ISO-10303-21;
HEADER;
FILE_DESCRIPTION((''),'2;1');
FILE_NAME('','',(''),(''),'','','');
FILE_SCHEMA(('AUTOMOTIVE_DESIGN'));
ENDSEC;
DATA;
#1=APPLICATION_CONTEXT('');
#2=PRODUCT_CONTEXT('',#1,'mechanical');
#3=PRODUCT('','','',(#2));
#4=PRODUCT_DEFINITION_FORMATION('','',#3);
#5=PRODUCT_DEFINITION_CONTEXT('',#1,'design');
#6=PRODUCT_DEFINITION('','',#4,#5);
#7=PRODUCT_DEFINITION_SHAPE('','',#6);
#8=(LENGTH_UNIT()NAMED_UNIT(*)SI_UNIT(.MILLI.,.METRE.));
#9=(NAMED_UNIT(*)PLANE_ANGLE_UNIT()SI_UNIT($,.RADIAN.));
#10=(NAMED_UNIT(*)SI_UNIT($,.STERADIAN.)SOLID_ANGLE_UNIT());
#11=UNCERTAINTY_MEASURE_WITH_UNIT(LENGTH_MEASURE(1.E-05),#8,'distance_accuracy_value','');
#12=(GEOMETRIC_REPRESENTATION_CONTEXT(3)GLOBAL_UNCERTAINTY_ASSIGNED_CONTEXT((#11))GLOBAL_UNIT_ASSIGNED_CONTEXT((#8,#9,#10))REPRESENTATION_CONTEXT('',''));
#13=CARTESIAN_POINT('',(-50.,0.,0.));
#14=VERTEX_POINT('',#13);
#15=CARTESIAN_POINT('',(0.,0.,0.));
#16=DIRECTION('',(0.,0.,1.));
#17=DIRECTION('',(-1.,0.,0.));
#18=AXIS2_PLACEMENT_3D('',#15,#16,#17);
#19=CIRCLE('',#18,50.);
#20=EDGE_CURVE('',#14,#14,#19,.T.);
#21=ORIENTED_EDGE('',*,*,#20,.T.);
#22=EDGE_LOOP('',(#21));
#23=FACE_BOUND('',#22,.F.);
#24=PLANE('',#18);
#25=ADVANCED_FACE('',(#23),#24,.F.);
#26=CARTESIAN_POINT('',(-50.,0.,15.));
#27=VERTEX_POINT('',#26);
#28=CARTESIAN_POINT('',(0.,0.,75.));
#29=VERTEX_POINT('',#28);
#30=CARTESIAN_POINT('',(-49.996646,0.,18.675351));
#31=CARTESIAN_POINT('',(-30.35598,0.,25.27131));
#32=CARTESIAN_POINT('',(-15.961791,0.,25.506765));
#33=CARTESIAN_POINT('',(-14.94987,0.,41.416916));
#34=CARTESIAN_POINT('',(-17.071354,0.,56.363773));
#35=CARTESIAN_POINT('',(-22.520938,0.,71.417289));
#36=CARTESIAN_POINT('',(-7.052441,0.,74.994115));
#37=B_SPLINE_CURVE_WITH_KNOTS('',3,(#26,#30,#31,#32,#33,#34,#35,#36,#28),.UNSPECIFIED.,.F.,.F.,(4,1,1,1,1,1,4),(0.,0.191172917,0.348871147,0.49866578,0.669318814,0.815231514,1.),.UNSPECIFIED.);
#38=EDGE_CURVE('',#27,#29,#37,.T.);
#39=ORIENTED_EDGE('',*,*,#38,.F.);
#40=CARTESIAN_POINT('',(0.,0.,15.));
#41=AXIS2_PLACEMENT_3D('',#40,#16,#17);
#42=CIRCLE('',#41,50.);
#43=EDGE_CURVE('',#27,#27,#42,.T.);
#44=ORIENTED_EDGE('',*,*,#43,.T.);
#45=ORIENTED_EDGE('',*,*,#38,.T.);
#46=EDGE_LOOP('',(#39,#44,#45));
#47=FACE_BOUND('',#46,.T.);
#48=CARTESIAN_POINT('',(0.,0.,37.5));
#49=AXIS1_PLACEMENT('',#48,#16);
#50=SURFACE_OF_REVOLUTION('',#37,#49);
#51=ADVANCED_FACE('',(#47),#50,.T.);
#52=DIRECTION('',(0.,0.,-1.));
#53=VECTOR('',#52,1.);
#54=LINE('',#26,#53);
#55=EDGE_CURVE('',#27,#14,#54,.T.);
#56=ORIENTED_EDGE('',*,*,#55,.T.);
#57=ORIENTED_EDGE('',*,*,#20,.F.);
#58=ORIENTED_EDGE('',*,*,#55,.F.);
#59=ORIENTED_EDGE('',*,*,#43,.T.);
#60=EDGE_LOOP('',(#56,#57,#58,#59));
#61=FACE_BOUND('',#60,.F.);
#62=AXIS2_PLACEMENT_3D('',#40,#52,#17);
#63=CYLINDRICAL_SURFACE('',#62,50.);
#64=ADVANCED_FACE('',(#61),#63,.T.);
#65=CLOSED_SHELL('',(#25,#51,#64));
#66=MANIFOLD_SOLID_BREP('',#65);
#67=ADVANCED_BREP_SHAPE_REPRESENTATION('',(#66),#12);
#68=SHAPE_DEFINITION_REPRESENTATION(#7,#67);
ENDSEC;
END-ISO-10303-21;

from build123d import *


with BuildPart() as f1:
    # F0 (on Front) → F1 (revolve)
    with BuildSketch(Plane.XZ):
        with BuildLine():
            Line((-50, 0), (0, 0))
            Line((0, 0), (0, 75))
            add(Edge.make_bspline(
                [(-50, 15), (-49.9966462025, 18.6753511715), (-30.3559796016, 25.2713095813), (-15.9617913975, 25.5067645544), (-14.9498701768, 41.4169159473), (-17.0713544901, 56.3637726605), (-22.5209384789, 71.4172894917), (-7.0524408026, 74.9941150964), (0, 75)],
                knots=[0, 0, 0, 0, 0.1911729172, 0.3488711468, 0.4986657798, 0.6693188142, 0.815231514, 1, 1, 1, 1], degree=3))
            Line((-50, 15), (-50, 0))
        make_face()
    revolve(axis=Axis((0, 0, 37.5), (0, 0, 1)))


solid = f1.part
